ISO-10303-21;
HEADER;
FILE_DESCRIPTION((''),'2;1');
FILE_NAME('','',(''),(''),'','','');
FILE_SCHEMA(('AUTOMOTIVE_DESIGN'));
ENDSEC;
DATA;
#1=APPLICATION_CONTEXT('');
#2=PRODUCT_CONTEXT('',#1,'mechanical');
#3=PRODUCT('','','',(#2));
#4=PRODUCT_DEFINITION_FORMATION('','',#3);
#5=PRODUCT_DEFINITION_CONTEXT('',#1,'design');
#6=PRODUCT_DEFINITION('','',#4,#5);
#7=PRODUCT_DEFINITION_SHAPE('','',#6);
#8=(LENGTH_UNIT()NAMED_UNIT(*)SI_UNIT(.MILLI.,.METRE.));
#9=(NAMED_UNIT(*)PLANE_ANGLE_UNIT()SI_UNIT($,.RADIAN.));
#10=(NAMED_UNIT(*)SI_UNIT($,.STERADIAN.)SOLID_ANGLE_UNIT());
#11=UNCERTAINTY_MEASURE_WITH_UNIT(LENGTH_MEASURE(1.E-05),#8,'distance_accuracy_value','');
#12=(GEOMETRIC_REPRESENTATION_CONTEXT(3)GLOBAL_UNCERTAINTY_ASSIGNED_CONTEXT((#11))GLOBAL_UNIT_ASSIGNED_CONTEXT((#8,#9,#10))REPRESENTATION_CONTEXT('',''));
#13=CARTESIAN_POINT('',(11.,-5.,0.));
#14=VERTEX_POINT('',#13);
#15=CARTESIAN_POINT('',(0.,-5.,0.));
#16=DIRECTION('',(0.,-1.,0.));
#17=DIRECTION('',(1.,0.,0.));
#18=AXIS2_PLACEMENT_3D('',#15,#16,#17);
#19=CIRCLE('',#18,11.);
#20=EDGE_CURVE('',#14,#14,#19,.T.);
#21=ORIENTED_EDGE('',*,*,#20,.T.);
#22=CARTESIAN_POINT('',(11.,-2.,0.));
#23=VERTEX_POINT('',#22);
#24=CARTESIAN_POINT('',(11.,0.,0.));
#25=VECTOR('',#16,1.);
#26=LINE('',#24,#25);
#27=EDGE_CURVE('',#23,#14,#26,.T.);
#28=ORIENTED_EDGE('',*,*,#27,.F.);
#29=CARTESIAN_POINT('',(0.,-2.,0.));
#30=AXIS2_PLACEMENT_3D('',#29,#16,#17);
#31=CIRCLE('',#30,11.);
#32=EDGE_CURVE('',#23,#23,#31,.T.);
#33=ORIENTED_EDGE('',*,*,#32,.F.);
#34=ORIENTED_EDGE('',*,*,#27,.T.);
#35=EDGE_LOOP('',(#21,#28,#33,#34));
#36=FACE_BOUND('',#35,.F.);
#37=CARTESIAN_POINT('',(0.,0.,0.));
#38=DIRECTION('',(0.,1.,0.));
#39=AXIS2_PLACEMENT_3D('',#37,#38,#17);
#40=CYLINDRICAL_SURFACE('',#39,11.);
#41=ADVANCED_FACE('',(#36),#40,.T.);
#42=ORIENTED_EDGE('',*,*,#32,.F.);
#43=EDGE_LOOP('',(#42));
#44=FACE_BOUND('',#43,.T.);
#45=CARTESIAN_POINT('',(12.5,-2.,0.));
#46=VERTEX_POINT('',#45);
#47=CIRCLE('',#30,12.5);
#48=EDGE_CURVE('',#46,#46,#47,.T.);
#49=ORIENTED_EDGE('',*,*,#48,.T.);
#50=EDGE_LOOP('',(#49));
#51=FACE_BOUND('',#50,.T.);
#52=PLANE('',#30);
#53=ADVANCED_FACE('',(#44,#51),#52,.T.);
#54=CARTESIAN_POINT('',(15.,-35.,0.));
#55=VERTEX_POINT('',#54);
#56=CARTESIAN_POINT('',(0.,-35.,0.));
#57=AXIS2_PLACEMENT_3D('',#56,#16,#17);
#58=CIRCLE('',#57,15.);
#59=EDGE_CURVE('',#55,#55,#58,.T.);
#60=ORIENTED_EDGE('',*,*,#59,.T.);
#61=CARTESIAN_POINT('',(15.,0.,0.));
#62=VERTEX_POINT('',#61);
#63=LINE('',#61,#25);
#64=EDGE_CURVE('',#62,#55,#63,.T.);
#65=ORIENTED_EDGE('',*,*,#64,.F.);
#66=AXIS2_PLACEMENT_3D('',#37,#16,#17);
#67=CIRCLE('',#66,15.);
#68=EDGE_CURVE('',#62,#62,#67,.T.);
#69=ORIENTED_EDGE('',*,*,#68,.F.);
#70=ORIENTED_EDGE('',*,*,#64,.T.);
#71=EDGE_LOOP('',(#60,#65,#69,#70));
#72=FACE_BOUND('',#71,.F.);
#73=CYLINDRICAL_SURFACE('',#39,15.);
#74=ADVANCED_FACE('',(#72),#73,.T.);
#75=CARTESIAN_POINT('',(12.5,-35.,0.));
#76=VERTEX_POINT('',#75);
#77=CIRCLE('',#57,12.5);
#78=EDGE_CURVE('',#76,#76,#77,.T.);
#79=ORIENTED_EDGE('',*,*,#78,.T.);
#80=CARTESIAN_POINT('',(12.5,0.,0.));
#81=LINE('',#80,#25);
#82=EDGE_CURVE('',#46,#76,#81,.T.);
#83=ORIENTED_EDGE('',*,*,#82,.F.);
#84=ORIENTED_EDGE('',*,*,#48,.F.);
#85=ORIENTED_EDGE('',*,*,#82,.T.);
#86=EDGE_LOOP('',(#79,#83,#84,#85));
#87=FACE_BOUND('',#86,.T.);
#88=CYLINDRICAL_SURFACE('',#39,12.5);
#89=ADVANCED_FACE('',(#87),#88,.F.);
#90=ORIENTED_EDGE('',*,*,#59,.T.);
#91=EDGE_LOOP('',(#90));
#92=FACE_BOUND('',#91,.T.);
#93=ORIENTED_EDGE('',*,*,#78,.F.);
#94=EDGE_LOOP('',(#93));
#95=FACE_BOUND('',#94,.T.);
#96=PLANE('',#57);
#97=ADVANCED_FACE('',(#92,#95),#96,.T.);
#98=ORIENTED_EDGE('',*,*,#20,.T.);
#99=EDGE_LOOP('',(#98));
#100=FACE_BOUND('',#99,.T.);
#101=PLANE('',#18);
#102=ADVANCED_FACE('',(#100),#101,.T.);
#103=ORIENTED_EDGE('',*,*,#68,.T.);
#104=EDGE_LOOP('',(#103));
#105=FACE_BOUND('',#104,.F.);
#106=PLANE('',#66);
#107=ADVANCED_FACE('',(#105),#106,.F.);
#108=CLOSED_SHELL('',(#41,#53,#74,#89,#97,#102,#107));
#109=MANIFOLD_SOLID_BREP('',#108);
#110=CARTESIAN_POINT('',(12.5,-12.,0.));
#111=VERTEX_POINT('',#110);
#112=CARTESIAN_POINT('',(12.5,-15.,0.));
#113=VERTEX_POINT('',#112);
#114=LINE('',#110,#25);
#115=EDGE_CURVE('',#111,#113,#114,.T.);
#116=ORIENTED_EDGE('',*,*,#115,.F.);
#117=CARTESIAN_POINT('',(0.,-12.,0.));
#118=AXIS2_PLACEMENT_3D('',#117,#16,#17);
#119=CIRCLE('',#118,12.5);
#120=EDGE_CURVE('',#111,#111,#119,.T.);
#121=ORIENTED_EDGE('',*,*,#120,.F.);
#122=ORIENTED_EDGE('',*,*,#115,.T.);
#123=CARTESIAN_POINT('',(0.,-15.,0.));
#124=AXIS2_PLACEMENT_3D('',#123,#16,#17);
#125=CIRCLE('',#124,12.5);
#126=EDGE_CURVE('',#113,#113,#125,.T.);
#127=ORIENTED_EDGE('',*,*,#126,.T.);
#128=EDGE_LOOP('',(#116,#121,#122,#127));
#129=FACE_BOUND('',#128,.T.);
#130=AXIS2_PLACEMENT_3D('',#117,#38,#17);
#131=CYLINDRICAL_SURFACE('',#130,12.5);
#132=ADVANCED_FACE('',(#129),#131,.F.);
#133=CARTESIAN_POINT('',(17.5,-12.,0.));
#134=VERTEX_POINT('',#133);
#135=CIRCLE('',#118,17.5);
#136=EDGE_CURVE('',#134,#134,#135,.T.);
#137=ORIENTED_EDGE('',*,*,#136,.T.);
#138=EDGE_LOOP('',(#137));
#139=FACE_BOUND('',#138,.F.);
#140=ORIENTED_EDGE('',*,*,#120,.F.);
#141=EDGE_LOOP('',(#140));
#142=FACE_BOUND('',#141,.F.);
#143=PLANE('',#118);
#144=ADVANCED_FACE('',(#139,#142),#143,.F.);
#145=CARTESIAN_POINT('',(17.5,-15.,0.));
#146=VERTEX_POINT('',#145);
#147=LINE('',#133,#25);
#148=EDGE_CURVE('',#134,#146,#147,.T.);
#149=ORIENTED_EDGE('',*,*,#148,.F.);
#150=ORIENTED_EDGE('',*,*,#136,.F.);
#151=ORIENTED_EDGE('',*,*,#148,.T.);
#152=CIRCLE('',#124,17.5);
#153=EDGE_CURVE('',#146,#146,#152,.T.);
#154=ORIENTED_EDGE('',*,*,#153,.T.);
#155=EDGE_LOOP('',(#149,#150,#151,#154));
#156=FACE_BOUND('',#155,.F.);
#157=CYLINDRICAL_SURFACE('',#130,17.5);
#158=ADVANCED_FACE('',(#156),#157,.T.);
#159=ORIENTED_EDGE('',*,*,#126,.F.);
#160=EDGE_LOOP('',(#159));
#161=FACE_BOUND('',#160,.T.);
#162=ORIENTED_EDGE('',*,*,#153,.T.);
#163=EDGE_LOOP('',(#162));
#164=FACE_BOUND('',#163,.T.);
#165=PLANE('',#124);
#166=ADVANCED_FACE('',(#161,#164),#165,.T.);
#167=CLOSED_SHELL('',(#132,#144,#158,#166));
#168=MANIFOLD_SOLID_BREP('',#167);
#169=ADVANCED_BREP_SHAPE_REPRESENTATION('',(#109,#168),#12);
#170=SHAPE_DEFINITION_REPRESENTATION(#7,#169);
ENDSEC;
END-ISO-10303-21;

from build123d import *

# Parameters (mm, degrees)
F0_R     = 15
F0_R_2   = 12.5
F1_DEPTH = 35
F0_R_3   = 11
F2_DEPTH = 2
F3_DEPTH = 5
F0_R_4   = 17.5
F4_DEPTH = 3


with BuildPart() as f1:
    # F0 (on Front) → F1 (new body)
    with BuildSketch(Plane.XZ):
        Circle(F0_R)
        Circle(F0_R_2, mode=Mode.SUBTRACT)
    extrude(amount=F1_DEPTH)

    # F0 (on Front) → F2 (join)
    with BuildSketch(Plane.XZ):
        Circle(F0_R_2)
        Circle(F0_R_3, mode=Mode.SUBTRACT)
    extrude(amount=F2_DEPTH)

    # F0 (on Front) → F3 (join)
    with BuildSketch(Plane.XZ):
        Circle(F0_R_3)
    extrude(amount=F3_DEPTH)


with BuildPart() as f4:
    # F0 (on Front) → F4 (new body)
    with BuildSketch(Plane.XZ):
        Circle(F0_R_4)
        Circle(F0_R, mode=Mode.SUBTRACT)
        Circle(F0_R)
        Circle(F0_R_2, mode=Mode.SUBTRACT)
    extrude(amount=F4_DEPTH)


with BuildPart() as f4_1:
    # F5: moved
    add(f4.part.moved(Location((0, -12, 0))))


solid = Compound([f1.part, f4_1.part])
